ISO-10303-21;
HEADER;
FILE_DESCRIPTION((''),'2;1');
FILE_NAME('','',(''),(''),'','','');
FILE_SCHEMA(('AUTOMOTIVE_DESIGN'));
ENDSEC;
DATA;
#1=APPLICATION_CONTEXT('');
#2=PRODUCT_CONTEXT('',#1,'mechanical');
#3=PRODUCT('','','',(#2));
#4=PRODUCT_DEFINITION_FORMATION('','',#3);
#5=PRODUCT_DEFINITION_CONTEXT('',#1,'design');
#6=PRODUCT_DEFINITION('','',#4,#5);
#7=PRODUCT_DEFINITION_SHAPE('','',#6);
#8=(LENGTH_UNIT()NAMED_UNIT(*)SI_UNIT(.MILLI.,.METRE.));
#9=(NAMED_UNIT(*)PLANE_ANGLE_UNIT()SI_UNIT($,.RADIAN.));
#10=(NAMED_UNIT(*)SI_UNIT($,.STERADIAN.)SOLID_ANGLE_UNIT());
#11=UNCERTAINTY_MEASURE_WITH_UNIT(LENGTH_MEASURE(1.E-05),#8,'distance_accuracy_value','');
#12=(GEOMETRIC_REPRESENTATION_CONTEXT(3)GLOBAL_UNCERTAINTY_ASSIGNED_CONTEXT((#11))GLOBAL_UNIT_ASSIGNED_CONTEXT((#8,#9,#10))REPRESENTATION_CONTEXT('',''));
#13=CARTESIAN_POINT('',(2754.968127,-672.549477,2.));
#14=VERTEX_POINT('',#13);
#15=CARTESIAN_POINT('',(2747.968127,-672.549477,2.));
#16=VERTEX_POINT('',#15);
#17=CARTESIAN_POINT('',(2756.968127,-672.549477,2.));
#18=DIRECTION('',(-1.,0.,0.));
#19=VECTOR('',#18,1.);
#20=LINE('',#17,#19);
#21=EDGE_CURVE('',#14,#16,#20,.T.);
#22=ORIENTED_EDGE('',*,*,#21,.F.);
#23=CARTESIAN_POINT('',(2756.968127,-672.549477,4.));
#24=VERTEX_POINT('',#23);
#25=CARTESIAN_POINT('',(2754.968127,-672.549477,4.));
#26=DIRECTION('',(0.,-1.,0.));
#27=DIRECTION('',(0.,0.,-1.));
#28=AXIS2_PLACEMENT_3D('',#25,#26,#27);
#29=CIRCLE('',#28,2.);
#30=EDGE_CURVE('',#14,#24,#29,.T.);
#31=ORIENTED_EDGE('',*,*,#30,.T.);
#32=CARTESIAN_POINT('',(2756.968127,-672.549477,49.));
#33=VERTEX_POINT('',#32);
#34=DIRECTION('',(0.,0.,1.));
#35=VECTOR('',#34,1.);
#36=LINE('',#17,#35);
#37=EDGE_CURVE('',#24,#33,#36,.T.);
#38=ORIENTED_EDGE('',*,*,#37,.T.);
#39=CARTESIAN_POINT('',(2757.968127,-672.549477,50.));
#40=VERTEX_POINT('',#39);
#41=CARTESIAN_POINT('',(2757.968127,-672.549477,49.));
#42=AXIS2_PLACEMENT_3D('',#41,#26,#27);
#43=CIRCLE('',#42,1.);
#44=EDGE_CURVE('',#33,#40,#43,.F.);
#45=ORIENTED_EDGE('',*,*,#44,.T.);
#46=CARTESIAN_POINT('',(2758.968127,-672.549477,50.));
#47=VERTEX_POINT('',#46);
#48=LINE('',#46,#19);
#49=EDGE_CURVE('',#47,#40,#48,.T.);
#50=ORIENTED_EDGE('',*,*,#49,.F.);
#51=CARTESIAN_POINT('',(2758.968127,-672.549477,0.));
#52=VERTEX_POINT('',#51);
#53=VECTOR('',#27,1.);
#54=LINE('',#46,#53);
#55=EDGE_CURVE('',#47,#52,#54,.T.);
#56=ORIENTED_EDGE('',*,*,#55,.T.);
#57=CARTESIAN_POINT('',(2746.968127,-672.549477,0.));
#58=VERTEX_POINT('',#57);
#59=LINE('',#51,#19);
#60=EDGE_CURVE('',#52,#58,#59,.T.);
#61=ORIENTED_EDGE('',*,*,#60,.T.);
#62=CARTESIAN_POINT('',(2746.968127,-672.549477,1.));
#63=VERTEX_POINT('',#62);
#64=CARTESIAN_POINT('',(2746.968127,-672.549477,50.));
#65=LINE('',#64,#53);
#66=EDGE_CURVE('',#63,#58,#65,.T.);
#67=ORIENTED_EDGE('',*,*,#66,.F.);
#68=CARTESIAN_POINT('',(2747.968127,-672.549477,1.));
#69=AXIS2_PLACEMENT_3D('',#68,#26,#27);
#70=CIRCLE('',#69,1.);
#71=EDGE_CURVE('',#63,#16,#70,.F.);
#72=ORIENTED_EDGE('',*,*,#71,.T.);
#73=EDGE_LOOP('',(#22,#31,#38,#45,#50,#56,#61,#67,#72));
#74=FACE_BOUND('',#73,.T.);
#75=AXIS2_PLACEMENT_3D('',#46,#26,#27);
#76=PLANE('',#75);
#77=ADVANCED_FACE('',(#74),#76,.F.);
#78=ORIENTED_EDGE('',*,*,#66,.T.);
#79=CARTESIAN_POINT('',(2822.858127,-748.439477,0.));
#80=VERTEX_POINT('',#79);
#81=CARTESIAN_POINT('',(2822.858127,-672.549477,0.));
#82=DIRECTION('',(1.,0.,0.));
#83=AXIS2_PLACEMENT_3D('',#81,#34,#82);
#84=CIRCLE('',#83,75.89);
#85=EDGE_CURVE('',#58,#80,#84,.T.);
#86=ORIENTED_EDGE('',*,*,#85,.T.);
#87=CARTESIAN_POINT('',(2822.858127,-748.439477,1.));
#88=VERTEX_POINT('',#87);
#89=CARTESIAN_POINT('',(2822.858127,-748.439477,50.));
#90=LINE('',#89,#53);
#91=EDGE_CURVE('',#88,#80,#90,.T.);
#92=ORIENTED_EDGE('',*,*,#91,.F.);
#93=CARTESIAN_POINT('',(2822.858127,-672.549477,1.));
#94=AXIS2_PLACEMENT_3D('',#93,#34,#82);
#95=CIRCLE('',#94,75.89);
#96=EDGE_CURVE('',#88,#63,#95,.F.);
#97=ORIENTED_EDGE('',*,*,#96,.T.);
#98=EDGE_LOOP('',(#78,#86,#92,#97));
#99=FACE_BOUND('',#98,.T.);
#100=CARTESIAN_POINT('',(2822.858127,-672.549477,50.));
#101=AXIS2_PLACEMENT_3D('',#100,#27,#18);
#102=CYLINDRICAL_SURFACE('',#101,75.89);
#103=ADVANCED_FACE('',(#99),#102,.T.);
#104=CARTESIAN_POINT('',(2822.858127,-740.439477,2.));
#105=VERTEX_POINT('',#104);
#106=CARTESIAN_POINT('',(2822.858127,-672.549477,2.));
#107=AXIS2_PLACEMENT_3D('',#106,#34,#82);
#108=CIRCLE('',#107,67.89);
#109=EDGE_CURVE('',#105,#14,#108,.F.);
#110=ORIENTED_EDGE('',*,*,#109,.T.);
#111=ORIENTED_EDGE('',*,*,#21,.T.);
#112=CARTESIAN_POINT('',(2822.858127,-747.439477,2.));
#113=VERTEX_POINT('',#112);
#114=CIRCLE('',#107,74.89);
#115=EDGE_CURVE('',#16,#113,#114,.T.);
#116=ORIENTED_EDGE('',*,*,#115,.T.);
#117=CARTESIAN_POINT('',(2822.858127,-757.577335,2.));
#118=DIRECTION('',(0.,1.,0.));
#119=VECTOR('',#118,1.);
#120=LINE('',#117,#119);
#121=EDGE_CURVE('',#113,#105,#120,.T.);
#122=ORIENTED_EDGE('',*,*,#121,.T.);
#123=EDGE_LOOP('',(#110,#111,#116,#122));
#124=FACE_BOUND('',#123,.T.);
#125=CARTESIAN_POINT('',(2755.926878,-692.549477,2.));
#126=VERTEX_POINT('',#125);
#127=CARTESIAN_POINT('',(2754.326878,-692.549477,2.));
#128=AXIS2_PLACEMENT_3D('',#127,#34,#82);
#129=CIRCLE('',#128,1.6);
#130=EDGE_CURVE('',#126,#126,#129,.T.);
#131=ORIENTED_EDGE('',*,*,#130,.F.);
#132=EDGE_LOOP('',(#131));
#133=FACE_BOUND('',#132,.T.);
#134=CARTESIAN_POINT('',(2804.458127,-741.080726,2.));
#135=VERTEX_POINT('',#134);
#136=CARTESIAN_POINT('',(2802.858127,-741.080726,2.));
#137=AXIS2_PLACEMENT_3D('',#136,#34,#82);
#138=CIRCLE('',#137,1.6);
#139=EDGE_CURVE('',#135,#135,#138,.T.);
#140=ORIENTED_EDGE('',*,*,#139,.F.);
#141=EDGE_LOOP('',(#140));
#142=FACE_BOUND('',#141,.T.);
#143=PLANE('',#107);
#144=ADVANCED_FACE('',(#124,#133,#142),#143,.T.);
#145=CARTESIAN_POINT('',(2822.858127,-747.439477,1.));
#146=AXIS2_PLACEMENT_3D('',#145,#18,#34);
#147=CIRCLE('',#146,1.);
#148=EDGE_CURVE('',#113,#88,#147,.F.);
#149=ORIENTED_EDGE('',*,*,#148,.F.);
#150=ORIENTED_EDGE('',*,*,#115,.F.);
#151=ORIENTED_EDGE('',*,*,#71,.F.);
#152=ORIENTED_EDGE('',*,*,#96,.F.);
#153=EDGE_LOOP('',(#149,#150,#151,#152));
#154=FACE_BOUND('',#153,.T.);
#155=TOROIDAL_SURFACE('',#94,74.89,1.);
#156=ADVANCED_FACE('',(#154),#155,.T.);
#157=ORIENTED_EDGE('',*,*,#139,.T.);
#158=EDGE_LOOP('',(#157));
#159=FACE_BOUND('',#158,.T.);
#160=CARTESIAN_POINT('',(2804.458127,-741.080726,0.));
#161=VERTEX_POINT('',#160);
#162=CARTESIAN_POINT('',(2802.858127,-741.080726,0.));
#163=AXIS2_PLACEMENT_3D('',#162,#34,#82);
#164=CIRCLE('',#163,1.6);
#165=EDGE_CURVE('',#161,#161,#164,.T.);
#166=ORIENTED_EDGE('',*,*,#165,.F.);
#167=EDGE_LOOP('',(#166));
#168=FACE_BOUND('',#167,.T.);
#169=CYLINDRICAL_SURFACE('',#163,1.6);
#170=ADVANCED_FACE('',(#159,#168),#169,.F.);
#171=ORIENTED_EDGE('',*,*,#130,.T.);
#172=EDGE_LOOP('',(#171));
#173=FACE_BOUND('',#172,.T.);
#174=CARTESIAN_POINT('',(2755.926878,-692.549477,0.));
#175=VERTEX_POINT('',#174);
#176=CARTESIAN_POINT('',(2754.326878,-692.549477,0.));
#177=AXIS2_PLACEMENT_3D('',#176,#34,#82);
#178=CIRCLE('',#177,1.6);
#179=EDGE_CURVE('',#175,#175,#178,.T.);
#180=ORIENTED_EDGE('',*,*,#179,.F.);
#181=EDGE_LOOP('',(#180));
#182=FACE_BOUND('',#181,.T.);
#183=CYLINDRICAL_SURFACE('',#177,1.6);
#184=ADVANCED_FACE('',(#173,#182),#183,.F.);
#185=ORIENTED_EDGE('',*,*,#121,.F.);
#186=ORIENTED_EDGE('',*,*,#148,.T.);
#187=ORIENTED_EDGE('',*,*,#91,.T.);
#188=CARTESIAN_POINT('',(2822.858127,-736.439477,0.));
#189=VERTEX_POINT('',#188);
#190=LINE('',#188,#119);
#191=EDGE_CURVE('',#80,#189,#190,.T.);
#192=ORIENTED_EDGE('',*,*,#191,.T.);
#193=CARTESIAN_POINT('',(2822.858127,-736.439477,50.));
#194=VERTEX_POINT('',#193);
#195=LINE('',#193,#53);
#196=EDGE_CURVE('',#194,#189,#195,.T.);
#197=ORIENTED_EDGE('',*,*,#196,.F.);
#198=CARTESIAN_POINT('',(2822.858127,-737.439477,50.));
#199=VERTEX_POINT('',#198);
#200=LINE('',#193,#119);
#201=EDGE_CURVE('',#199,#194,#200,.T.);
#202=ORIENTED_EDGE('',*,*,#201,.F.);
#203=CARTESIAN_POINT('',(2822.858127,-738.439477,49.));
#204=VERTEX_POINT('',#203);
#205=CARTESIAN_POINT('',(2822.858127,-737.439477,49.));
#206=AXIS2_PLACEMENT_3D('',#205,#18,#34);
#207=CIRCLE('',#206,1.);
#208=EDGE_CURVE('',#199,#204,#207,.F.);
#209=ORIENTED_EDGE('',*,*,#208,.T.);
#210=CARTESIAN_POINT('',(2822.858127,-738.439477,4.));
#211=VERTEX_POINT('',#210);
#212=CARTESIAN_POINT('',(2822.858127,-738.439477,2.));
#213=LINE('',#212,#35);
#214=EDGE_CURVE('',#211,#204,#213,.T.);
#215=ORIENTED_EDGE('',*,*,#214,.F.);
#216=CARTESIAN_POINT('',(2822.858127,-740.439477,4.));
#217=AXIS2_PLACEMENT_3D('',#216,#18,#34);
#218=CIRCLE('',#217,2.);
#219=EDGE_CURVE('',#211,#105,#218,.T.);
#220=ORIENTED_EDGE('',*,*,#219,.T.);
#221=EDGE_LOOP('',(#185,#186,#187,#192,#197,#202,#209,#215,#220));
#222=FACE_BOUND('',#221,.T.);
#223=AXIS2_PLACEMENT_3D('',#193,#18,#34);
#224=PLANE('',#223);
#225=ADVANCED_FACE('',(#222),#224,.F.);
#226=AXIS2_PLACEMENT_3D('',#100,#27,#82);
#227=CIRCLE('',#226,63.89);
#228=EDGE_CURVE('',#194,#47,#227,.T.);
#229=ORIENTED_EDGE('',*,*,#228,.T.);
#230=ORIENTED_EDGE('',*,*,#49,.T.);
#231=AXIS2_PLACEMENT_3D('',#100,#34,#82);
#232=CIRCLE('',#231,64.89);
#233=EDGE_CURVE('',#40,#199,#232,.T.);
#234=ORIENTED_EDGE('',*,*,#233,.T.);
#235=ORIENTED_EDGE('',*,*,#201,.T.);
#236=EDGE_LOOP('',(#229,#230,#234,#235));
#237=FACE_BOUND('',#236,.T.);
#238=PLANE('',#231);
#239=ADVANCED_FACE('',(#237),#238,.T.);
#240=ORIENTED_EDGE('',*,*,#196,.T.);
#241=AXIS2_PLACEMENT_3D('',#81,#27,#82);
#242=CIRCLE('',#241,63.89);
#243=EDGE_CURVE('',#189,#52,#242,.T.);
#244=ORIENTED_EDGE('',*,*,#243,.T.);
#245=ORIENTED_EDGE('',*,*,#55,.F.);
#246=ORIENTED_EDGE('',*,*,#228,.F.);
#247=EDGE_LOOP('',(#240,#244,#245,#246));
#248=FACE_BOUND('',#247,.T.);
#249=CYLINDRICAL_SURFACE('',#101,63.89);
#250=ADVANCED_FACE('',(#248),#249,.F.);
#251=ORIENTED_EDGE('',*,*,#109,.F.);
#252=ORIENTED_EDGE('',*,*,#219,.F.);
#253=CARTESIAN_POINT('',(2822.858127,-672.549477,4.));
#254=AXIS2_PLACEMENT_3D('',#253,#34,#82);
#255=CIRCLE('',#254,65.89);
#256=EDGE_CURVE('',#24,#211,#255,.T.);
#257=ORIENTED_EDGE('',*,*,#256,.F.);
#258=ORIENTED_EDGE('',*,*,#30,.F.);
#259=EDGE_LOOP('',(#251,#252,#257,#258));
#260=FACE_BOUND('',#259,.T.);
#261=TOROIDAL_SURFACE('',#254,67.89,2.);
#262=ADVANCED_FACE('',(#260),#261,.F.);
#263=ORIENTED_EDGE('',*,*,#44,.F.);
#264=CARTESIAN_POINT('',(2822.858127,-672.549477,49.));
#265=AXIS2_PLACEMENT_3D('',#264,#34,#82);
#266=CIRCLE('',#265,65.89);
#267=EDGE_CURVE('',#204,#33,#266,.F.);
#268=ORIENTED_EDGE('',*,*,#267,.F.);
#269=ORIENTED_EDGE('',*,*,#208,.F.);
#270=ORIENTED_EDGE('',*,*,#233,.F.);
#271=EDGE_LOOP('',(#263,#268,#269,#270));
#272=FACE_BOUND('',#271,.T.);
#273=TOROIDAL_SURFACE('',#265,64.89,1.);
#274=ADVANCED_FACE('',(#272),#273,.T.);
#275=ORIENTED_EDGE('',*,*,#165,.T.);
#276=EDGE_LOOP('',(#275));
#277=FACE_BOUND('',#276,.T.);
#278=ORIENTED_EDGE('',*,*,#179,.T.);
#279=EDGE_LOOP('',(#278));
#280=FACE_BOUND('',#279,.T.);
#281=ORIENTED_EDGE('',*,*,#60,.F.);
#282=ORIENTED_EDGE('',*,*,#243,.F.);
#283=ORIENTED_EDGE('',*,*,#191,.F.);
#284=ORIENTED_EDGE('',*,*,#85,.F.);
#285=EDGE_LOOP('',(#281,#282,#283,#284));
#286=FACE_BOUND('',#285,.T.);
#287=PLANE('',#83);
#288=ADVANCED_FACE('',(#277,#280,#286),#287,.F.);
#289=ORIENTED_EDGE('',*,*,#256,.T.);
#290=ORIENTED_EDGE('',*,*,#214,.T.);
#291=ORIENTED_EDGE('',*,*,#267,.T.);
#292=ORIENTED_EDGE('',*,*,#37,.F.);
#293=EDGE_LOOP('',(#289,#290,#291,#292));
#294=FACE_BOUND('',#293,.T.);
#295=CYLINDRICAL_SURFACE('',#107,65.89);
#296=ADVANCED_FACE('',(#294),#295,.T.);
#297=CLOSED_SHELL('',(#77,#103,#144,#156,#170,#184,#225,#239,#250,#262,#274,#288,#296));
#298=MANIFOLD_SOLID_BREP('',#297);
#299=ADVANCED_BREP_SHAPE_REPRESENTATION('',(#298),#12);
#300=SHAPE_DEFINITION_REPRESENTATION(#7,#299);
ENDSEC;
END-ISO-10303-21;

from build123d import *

# Parameters (mm, degrees)
BOSS_EXTRUDE1_DEPTH = 50
CUT_EXTRUDE1_DEPTH  = 48
FILLET1_R           = 1
FILLET2_R           = 2
SKETCH4_R           = 1.6
CUT_EXTRUDE2_DEPTH  = 2921.7864791


with BuildPart() as part:
    # Sketch2 → Boss-Extrude1 (new body)
    with BuildSketch(Plane.XY):
        with BuildLine():
            Line((2758.968126944, -672.549477124), (2746.968126944, -672.549477124))
            ThreePointArc((2746.968126944, -672.549477124), (2769.195793319, -726.211810748), (2822.858126944, -748.439477124))
            Line((2822.858126944, -748.439477124), (2822.858126944, -736.439477124))
            ThreePointArc((2822.858126944, -736.439477124), (2777.681074694, -717.726529374), (2758.968126944, -672.549477124))
        make_face()
    extrude(amount=BOSS_EXTRUDE1_DEPTH)

    # Sketch3 → Cut-Extrude1 (cut)
    with BuildSketch(Plane.XY.offset(50)):
        with BuildLine():
            Line((2756.968126944, -672.549477124), (2737.478838536, -672.549477124))
            Line((2737.478838536, -672.549477124), (2737.478838536, -757.577335174))
            Line((2737.478838536, -757.577335174), (2822.858126944, -757.577335174))
            Line((2822.858126944, -757.577335174), (2822.858126944, -738.439477124))
            ThreePointArc((2822.858126944, -738.439477124), (2776.266861131, -719.140742936), (2756.968126944, -672.549477124))
        make_face()
    extrude(amount=-CUT_EXTRUDE1_DEPTH, mode=Mode.SUBTRACT)

    # Fillet1
    fillet1_edges = [part.edges().sort_by_distance(p)[0] for p in [
        (2776.266861131, -719.140742936, 50),
        (2769.195793319, -726.211810748, 2),
    ]]
    fillet(fillet1_edges, radius=FILLET1_R)

    # Fillet2
    fillet2_edges = [part.edges().sort_by_distance(p)[0] for p in [
        (2776.266861131, -719.140742936, 2),
    ]]
    fillet(fillet2_edges, radius=FILLET2_R)

    # Sketch4 → Cut-Extrude2 (cut, through all)
    with BuildSketch(Plane.XY.offset(2)):
        with Locations((2802.858126944, -741.0807262)):
            Circle(SKETCH4_R)
        with Locations((2754.326877867, -692.549477124)):
            Circle(SKETCH4_R)
    extrude(amount=-CUT_EXTRUDE2_DEPTH, mode=Mode.SUBTRACT)


solid = part.part
